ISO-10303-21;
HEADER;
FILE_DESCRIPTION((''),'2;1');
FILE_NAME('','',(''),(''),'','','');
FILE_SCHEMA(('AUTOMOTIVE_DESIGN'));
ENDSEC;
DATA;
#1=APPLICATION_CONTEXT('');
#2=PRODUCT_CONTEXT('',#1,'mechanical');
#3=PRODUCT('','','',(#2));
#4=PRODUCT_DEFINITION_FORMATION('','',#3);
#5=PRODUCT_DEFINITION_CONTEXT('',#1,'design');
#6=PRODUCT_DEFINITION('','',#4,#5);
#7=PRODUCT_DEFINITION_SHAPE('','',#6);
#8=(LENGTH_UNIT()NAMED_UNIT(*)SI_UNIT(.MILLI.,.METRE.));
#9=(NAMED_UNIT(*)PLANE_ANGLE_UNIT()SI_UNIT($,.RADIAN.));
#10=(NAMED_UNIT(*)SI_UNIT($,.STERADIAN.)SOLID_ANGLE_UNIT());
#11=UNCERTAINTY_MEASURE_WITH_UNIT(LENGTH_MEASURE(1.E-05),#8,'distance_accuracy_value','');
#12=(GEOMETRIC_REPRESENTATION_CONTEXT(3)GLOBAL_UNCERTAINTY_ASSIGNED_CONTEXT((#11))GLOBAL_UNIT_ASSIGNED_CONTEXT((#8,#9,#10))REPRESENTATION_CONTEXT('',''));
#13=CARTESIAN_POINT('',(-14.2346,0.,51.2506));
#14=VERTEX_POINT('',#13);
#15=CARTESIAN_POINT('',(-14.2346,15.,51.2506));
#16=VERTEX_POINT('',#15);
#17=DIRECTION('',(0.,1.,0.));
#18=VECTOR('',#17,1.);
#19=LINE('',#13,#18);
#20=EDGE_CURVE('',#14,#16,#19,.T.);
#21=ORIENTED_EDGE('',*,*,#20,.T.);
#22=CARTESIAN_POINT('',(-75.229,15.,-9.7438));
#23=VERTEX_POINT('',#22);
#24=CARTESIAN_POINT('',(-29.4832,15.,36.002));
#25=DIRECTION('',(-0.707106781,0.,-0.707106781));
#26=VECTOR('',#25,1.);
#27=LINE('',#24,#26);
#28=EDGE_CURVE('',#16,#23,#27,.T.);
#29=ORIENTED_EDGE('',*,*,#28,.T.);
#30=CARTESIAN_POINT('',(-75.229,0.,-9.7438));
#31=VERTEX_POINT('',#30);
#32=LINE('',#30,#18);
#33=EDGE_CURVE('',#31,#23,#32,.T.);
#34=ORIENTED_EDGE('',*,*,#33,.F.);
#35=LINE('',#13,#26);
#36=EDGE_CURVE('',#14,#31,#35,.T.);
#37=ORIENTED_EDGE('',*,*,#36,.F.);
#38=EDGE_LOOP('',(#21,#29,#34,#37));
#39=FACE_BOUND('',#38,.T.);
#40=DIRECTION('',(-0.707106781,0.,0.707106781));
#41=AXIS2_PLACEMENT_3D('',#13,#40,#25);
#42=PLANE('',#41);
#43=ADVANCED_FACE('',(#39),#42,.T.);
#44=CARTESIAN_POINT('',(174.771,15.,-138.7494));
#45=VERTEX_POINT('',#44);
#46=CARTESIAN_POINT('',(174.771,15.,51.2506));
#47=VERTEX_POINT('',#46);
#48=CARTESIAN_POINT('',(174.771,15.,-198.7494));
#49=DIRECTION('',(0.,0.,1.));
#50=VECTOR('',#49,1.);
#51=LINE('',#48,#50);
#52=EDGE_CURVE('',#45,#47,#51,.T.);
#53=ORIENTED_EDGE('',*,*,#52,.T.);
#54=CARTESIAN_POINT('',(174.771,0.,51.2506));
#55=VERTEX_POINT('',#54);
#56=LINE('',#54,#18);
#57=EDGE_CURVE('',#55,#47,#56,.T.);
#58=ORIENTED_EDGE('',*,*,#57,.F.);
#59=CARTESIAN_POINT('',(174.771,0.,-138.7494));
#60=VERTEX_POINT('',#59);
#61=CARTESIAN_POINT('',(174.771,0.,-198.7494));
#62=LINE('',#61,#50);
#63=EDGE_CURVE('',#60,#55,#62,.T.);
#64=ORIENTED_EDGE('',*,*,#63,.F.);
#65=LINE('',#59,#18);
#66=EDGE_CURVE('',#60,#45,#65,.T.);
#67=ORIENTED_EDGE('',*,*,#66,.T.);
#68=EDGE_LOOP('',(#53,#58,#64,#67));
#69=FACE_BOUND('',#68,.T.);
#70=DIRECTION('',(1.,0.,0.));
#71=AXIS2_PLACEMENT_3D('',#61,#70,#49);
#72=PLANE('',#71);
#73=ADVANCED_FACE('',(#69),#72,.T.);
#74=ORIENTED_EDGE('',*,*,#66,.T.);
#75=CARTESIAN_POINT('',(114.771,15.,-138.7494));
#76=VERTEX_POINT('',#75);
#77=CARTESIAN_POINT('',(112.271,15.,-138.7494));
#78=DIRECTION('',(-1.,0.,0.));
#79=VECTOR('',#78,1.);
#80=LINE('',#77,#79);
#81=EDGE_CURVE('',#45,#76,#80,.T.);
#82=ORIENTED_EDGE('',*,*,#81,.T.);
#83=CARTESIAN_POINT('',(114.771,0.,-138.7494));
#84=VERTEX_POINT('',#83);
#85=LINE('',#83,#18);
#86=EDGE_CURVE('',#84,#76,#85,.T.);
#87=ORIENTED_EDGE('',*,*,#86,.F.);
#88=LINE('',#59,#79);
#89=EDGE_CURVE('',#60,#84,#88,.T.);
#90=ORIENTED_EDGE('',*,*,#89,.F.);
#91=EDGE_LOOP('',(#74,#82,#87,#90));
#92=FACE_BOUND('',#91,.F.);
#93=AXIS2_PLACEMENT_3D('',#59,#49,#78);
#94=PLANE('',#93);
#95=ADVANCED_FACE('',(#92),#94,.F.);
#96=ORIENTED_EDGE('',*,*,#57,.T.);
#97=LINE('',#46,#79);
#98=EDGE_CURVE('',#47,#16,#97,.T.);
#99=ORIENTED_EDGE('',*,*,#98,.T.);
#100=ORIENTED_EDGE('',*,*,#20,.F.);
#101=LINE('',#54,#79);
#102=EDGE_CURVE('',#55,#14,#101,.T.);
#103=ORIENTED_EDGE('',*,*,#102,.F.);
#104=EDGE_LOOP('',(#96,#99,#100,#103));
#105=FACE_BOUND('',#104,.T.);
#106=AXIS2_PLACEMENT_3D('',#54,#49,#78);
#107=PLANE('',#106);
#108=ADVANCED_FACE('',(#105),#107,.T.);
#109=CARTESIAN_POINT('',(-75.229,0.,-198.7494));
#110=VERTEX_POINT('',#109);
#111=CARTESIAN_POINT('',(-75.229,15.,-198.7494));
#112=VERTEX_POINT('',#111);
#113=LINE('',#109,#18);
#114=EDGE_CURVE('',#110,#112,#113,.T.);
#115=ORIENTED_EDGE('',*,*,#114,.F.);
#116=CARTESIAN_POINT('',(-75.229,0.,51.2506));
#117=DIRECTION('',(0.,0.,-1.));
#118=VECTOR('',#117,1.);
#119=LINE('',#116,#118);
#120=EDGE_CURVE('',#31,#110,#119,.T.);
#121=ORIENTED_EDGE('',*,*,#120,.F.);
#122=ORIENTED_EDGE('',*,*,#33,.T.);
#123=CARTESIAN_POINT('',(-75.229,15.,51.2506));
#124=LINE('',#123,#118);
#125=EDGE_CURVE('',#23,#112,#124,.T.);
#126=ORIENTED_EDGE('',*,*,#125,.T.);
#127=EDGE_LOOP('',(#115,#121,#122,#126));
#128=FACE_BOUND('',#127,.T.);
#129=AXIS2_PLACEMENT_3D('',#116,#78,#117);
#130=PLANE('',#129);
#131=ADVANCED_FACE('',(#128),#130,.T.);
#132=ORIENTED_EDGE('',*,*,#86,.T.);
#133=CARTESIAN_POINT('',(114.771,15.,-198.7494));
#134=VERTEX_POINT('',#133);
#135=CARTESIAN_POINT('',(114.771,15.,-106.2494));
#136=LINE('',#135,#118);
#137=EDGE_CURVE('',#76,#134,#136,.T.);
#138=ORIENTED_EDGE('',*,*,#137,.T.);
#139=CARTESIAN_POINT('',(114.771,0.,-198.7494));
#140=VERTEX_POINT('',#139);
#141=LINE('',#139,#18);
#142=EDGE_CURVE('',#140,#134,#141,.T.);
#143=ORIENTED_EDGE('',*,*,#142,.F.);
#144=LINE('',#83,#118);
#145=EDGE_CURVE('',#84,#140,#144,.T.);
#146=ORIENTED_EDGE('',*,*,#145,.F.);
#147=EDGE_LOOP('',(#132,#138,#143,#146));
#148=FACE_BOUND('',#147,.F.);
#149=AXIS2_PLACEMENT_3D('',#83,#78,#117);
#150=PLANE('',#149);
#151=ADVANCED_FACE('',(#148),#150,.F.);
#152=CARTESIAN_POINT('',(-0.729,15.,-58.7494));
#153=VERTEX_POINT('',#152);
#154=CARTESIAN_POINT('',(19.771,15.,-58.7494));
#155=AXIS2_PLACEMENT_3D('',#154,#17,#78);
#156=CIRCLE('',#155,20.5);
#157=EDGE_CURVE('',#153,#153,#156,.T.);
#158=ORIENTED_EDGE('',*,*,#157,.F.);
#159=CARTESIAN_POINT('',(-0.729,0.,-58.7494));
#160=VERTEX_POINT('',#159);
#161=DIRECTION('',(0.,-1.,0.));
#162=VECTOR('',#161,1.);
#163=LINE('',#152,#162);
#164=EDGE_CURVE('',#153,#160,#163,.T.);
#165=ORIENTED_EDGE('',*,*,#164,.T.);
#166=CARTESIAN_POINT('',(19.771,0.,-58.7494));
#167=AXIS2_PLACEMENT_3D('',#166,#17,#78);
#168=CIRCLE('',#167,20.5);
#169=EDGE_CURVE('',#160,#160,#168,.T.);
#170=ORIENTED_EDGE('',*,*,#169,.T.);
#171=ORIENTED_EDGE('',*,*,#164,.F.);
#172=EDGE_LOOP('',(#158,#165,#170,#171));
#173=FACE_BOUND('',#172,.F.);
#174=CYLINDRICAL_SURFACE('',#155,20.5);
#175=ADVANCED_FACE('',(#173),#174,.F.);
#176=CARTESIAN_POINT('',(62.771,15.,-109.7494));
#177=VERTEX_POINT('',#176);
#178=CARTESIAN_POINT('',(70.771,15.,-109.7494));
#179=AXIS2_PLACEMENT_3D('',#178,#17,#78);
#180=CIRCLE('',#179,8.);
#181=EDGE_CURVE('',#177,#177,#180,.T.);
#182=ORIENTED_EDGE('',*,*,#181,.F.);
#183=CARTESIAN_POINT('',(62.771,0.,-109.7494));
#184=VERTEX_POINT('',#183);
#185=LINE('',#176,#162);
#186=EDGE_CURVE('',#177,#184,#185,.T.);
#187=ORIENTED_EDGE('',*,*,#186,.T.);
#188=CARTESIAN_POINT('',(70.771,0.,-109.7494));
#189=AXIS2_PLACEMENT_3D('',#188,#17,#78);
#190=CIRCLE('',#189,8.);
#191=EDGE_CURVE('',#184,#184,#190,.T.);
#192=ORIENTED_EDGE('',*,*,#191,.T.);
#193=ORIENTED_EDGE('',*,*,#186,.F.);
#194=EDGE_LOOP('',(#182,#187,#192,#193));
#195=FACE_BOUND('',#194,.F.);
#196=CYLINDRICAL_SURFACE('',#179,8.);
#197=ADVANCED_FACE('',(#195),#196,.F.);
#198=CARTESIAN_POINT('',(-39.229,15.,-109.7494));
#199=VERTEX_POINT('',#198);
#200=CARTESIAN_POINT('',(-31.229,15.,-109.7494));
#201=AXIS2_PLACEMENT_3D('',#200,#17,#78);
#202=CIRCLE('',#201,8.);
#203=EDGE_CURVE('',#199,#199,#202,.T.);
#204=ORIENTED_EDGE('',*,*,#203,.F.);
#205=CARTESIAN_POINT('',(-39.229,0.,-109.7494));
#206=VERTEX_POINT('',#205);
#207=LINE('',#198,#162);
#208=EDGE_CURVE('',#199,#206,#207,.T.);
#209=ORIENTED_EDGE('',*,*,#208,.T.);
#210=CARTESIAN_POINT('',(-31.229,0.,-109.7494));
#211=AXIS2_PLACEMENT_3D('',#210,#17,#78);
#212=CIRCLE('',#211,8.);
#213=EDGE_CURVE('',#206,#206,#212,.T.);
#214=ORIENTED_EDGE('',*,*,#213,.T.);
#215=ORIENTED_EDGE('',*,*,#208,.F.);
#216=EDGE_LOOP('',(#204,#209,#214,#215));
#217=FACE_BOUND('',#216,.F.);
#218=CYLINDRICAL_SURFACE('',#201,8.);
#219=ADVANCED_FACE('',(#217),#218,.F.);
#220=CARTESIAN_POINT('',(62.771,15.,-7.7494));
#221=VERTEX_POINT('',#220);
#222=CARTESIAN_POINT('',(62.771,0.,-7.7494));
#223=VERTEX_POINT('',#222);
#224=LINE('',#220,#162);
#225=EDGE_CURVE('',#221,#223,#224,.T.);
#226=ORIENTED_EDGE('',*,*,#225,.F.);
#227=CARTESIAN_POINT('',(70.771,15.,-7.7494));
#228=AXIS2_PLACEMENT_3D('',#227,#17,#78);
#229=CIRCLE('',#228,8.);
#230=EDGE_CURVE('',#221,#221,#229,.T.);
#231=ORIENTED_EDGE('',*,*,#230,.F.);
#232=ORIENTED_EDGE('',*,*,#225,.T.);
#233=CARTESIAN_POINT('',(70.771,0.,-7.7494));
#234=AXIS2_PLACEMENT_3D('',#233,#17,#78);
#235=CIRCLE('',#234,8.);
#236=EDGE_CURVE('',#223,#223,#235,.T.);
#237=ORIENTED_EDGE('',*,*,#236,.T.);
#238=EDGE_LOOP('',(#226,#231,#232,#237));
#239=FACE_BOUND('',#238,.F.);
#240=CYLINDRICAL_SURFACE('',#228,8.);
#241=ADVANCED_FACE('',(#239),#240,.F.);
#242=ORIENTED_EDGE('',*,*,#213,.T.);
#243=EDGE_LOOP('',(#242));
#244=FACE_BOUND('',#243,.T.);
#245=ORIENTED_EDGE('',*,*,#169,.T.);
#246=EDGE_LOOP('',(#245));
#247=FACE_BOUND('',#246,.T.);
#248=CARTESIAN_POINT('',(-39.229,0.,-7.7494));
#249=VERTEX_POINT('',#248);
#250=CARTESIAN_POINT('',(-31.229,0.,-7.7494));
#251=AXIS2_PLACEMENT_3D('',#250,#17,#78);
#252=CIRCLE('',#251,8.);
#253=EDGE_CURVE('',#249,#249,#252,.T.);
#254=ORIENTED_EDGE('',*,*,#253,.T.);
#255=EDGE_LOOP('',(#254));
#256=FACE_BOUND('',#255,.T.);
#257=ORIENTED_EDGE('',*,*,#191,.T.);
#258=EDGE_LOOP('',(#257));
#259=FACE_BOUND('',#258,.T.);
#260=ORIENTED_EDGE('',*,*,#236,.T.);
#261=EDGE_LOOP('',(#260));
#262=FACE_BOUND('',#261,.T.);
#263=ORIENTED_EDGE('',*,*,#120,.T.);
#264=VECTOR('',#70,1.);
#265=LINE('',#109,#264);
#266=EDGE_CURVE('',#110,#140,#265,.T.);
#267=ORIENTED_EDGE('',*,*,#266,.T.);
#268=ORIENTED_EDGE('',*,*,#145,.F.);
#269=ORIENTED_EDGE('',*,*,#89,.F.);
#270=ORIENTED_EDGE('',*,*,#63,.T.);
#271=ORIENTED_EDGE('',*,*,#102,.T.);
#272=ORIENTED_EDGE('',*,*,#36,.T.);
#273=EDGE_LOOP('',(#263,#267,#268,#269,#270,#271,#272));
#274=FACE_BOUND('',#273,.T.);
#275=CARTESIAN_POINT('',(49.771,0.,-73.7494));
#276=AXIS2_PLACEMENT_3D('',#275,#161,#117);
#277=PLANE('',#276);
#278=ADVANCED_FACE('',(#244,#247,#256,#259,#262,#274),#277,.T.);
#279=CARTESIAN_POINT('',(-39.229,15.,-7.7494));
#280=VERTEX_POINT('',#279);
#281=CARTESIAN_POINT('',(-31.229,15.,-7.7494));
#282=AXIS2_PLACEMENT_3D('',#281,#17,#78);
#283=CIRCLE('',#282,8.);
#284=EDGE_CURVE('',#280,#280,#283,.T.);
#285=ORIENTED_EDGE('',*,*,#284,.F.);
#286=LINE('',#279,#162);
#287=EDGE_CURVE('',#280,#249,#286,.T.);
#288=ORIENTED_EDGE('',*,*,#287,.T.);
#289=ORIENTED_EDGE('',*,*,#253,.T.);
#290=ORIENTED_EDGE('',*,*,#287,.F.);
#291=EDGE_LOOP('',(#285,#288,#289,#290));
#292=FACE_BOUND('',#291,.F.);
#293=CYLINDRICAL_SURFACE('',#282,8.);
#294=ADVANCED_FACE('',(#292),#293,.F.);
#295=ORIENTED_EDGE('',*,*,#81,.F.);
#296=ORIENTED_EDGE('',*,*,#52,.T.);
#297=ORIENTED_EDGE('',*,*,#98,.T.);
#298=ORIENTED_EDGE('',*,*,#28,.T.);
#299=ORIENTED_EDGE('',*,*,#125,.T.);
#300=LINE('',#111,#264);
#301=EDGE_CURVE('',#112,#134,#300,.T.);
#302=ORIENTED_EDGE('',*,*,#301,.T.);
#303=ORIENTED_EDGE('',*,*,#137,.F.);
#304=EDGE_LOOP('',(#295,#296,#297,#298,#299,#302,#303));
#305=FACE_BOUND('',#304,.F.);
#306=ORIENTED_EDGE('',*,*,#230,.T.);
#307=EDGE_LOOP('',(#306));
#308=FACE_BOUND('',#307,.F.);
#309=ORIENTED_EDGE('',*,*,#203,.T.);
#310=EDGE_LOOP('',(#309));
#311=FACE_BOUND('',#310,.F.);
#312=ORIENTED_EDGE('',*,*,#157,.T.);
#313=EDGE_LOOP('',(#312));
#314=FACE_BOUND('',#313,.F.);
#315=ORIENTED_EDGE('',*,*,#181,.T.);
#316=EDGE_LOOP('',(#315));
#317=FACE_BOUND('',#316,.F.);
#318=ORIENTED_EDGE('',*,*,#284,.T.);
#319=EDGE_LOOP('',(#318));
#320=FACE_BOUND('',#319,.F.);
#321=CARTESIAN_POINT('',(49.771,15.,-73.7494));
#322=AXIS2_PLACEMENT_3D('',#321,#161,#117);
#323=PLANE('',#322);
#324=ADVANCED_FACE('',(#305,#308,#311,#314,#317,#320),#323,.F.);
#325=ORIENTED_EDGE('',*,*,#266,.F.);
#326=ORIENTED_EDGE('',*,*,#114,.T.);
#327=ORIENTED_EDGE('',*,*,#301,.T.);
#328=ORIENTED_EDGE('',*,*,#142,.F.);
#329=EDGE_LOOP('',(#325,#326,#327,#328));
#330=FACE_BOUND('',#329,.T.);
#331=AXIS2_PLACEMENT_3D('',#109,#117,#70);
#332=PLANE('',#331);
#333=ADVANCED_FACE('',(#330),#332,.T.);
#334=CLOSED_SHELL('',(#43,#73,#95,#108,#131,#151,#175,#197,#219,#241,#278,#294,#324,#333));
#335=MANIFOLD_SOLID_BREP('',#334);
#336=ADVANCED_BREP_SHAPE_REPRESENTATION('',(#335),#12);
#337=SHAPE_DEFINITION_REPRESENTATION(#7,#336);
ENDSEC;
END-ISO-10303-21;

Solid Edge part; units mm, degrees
sketch "Sketch1" plane through (0, 0, 0) normal (0, -1, 0) x (1, 0, 0)
  line L0 (-75.229, -198.7494) -> (174.771, -198.7494)
  line L1 (174.771, -198.7494) -> (174.771, 51.2506)
  line L2 (174.771, 51.2506) -> (-75.229, 51.2506)
  line L3 (-75.229, 51.2506) -> (-75.229, -198.7494)
  dimension "D1" = 250
  dimension "D2" = 250
extrude "Protrusion1" add sketch "Sketch1" against normal blind 15
sketch "Sketch2" plane through (-15.229, 15, 1.2506) normal (0, 1, 0) x (-1, 0, 0)
  circle A0 centre (16, -111) radius 8
  circle A1 centre (16, -9) radius 8
  circle A2 centre (-86, -111) radius 8
  circle A3 centre (-35, -60) radius 20.5
  circle A4 centre (-86, -9) radius 8
  dimension "D1" = 16
  dimension "D2" = 16
  dimension "D3" = 16
  dimension "D4" = 16
  dimension "D5" = 102
  dimension "D6" = 102
  dimension "D7" = 41
  dimension "D8" = 51
  dimension "D9" = 51
  dimension "D10" = 30
  dimension "D11" = 15
extrude "Cutout1" cut sketch "Sketch2" against normal through all
sketch "Sketch3" plane through (49.771, 0, -73.7494) normal (0, -1, 0) x (-1, 0, 0)
  line L0 (64.0056, -125) -> (125, -64.0056)
  line L1 (125, -64.0056) -> (125, -125)
  line L2 (125, -125) -> (64.0056, -125)
  line L3 (-125, 65) -> (-65, 65)
  line L4 (-65, 65) -> (-65, 125)
  line L5 (-65, 125) -> (-125, 125)
  line L6 (-125, 125) -> (-125, 65)
  dimension "D1" = 60
  dimension "D2" = 60
extrude "Cutout2" cut sketch "Sketch3" against normal through all
properties material "Aluminum, 6061-T6"
